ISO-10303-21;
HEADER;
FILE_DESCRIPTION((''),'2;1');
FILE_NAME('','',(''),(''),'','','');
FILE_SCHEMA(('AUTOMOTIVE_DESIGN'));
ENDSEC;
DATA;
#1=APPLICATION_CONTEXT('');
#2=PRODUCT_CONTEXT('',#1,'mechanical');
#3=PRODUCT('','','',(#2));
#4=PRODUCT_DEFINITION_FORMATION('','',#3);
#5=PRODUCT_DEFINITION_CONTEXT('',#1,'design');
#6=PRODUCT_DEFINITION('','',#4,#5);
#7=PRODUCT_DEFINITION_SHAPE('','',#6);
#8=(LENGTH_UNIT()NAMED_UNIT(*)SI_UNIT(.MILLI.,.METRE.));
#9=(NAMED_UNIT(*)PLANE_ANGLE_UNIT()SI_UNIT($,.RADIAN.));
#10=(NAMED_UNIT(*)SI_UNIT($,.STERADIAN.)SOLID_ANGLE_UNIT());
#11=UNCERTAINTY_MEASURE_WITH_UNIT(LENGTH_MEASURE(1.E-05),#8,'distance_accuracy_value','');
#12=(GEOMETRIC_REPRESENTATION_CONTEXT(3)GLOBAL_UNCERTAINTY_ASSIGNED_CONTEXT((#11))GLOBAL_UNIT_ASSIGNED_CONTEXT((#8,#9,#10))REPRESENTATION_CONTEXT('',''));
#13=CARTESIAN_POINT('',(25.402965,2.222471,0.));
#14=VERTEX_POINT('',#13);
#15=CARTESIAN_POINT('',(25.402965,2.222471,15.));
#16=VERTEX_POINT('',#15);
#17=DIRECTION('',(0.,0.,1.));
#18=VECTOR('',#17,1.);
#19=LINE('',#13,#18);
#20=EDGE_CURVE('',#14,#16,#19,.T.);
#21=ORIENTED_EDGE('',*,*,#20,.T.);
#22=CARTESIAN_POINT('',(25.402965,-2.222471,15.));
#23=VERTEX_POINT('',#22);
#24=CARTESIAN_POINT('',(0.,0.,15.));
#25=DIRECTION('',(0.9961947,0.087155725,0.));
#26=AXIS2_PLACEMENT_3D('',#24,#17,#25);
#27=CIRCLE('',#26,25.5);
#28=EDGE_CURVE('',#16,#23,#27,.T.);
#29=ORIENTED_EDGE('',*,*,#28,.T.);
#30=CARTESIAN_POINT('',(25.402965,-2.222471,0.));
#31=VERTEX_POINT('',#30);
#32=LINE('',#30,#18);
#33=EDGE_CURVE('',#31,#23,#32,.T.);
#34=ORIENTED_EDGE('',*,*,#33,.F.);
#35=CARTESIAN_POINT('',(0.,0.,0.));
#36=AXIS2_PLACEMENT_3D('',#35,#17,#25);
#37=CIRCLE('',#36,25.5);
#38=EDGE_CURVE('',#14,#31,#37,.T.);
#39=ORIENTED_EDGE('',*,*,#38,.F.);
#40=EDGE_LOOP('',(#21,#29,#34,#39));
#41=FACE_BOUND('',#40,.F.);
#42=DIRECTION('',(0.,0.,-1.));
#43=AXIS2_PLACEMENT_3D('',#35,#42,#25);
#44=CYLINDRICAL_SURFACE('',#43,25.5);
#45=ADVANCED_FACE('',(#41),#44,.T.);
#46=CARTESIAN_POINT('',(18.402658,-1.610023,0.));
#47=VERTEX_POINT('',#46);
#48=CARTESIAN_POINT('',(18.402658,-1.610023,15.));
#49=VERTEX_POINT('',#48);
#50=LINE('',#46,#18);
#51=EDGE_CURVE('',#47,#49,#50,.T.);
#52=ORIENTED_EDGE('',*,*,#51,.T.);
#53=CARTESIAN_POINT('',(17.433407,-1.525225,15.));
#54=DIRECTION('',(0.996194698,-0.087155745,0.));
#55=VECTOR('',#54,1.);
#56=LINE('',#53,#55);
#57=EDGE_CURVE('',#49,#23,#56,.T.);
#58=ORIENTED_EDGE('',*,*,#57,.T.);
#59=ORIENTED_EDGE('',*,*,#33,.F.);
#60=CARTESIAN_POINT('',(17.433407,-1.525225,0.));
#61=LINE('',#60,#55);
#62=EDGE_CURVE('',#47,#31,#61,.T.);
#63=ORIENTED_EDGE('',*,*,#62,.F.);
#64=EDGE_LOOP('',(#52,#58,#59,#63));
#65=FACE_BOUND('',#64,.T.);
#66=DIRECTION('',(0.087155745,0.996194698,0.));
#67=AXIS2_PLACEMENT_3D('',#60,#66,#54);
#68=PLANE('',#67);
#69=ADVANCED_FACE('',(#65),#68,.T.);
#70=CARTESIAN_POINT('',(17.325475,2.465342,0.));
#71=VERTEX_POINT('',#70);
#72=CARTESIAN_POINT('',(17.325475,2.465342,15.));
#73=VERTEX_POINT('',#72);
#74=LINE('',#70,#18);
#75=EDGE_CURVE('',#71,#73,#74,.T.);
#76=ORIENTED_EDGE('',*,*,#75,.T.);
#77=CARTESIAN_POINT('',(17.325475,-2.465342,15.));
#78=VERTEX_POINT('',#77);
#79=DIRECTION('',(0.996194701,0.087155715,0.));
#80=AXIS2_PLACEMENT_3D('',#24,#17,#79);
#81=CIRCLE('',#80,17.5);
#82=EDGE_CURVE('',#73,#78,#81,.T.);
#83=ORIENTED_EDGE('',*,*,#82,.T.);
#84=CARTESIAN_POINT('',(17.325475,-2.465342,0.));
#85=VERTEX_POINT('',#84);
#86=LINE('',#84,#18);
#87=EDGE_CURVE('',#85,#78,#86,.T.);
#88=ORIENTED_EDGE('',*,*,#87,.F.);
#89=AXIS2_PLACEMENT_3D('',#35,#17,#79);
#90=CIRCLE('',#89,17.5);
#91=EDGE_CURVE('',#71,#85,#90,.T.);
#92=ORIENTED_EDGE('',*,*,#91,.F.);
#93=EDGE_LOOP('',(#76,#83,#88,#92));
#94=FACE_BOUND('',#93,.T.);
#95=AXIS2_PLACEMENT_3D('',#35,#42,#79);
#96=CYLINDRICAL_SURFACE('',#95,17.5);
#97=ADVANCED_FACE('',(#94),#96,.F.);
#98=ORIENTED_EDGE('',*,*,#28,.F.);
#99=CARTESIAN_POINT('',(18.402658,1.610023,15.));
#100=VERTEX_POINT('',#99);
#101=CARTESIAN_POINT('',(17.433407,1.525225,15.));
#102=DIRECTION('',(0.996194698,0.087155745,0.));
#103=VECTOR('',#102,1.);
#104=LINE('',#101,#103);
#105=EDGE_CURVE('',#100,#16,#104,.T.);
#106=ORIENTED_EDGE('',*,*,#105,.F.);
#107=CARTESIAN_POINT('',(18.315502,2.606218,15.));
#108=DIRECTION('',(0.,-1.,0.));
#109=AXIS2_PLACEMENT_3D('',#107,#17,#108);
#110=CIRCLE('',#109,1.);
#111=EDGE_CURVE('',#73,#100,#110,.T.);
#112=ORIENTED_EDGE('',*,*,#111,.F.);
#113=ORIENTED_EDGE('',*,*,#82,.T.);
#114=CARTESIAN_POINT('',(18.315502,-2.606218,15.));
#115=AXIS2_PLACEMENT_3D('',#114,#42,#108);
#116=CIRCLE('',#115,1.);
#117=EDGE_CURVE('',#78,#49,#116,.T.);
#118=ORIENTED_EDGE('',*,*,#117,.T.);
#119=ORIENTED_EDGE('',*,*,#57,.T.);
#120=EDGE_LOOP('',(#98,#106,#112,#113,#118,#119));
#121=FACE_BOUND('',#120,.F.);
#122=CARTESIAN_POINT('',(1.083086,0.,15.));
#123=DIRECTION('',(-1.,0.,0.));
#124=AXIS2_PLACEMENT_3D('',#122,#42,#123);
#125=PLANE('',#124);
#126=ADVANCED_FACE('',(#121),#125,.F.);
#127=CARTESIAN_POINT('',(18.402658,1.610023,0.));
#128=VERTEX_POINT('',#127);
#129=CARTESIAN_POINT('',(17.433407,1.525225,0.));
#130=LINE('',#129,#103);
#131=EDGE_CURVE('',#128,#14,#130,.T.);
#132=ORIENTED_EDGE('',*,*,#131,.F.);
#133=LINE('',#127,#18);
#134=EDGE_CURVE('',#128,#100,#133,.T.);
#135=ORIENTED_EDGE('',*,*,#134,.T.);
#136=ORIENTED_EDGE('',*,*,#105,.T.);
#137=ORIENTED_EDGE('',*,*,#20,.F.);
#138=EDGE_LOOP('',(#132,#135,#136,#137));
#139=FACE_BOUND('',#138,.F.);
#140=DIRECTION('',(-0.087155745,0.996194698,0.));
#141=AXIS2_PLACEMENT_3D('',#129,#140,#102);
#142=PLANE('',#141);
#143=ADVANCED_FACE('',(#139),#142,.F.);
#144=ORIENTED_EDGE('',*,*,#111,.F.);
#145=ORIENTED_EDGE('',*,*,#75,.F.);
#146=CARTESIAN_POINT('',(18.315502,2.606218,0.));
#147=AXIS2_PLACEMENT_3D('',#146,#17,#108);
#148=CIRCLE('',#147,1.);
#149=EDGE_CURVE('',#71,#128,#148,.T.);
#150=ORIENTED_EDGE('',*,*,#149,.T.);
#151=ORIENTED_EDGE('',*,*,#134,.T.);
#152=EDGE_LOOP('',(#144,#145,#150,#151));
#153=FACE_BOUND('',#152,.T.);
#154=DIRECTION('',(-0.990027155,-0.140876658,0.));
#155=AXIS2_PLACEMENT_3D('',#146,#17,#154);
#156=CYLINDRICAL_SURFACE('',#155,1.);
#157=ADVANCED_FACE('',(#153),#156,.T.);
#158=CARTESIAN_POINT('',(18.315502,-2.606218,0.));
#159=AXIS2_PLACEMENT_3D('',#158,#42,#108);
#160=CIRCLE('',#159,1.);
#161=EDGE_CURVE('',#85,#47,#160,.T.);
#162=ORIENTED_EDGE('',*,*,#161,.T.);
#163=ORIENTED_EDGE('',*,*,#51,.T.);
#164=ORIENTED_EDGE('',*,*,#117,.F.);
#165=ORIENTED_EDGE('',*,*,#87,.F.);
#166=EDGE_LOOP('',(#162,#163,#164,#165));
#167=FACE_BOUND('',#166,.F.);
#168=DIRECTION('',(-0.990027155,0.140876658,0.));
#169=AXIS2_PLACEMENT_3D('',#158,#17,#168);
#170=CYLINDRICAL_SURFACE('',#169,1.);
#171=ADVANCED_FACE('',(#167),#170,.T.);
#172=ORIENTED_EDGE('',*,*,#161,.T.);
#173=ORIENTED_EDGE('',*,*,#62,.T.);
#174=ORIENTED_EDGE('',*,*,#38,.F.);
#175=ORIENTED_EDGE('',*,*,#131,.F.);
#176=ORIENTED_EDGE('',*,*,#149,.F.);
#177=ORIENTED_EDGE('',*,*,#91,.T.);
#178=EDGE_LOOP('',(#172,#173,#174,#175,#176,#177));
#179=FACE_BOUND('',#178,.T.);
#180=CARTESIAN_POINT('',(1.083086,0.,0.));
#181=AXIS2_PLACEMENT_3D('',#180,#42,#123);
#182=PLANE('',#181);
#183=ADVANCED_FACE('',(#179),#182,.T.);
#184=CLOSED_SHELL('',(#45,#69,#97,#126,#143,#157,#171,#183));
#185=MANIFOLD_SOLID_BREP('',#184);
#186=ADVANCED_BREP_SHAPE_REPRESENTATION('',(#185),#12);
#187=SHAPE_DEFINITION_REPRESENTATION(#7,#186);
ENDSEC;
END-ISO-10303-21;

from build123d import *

# Parameters (mm, degrees)
PAD_DEPTH = 15
FILLET_R  = 1


with BuildPart() as part:
    # Sketch → Pad (new body)
    with BuildSketch(Plane.XY):
        with BuildLine():
            ThreePointArc((17.433407, 1.525225), (-17.5, 0), (17.433407, -1.525225))
            Line((17.433407, -1.525225), (25.402965, -2.222471))
            ThreePointArc((25.402965, 2.222471), (-25.5, 0), (25.402965, -2.222471))
            Line((17.433407, 1.525225), (25.402965, 2.222471))
        make_face()
    extrude(amount=PAD_DEPTH)

    # Fillet
    fillet_edges = [part.edges().sort_by_distance(p)[0] for p in [
        (17.433407, 1.525225, 7.5),
        (17.433407, -1.525225, 7.5),
    ]]
    fillet(fillet_edges, radius=FILLET_R)


solid = part.part
